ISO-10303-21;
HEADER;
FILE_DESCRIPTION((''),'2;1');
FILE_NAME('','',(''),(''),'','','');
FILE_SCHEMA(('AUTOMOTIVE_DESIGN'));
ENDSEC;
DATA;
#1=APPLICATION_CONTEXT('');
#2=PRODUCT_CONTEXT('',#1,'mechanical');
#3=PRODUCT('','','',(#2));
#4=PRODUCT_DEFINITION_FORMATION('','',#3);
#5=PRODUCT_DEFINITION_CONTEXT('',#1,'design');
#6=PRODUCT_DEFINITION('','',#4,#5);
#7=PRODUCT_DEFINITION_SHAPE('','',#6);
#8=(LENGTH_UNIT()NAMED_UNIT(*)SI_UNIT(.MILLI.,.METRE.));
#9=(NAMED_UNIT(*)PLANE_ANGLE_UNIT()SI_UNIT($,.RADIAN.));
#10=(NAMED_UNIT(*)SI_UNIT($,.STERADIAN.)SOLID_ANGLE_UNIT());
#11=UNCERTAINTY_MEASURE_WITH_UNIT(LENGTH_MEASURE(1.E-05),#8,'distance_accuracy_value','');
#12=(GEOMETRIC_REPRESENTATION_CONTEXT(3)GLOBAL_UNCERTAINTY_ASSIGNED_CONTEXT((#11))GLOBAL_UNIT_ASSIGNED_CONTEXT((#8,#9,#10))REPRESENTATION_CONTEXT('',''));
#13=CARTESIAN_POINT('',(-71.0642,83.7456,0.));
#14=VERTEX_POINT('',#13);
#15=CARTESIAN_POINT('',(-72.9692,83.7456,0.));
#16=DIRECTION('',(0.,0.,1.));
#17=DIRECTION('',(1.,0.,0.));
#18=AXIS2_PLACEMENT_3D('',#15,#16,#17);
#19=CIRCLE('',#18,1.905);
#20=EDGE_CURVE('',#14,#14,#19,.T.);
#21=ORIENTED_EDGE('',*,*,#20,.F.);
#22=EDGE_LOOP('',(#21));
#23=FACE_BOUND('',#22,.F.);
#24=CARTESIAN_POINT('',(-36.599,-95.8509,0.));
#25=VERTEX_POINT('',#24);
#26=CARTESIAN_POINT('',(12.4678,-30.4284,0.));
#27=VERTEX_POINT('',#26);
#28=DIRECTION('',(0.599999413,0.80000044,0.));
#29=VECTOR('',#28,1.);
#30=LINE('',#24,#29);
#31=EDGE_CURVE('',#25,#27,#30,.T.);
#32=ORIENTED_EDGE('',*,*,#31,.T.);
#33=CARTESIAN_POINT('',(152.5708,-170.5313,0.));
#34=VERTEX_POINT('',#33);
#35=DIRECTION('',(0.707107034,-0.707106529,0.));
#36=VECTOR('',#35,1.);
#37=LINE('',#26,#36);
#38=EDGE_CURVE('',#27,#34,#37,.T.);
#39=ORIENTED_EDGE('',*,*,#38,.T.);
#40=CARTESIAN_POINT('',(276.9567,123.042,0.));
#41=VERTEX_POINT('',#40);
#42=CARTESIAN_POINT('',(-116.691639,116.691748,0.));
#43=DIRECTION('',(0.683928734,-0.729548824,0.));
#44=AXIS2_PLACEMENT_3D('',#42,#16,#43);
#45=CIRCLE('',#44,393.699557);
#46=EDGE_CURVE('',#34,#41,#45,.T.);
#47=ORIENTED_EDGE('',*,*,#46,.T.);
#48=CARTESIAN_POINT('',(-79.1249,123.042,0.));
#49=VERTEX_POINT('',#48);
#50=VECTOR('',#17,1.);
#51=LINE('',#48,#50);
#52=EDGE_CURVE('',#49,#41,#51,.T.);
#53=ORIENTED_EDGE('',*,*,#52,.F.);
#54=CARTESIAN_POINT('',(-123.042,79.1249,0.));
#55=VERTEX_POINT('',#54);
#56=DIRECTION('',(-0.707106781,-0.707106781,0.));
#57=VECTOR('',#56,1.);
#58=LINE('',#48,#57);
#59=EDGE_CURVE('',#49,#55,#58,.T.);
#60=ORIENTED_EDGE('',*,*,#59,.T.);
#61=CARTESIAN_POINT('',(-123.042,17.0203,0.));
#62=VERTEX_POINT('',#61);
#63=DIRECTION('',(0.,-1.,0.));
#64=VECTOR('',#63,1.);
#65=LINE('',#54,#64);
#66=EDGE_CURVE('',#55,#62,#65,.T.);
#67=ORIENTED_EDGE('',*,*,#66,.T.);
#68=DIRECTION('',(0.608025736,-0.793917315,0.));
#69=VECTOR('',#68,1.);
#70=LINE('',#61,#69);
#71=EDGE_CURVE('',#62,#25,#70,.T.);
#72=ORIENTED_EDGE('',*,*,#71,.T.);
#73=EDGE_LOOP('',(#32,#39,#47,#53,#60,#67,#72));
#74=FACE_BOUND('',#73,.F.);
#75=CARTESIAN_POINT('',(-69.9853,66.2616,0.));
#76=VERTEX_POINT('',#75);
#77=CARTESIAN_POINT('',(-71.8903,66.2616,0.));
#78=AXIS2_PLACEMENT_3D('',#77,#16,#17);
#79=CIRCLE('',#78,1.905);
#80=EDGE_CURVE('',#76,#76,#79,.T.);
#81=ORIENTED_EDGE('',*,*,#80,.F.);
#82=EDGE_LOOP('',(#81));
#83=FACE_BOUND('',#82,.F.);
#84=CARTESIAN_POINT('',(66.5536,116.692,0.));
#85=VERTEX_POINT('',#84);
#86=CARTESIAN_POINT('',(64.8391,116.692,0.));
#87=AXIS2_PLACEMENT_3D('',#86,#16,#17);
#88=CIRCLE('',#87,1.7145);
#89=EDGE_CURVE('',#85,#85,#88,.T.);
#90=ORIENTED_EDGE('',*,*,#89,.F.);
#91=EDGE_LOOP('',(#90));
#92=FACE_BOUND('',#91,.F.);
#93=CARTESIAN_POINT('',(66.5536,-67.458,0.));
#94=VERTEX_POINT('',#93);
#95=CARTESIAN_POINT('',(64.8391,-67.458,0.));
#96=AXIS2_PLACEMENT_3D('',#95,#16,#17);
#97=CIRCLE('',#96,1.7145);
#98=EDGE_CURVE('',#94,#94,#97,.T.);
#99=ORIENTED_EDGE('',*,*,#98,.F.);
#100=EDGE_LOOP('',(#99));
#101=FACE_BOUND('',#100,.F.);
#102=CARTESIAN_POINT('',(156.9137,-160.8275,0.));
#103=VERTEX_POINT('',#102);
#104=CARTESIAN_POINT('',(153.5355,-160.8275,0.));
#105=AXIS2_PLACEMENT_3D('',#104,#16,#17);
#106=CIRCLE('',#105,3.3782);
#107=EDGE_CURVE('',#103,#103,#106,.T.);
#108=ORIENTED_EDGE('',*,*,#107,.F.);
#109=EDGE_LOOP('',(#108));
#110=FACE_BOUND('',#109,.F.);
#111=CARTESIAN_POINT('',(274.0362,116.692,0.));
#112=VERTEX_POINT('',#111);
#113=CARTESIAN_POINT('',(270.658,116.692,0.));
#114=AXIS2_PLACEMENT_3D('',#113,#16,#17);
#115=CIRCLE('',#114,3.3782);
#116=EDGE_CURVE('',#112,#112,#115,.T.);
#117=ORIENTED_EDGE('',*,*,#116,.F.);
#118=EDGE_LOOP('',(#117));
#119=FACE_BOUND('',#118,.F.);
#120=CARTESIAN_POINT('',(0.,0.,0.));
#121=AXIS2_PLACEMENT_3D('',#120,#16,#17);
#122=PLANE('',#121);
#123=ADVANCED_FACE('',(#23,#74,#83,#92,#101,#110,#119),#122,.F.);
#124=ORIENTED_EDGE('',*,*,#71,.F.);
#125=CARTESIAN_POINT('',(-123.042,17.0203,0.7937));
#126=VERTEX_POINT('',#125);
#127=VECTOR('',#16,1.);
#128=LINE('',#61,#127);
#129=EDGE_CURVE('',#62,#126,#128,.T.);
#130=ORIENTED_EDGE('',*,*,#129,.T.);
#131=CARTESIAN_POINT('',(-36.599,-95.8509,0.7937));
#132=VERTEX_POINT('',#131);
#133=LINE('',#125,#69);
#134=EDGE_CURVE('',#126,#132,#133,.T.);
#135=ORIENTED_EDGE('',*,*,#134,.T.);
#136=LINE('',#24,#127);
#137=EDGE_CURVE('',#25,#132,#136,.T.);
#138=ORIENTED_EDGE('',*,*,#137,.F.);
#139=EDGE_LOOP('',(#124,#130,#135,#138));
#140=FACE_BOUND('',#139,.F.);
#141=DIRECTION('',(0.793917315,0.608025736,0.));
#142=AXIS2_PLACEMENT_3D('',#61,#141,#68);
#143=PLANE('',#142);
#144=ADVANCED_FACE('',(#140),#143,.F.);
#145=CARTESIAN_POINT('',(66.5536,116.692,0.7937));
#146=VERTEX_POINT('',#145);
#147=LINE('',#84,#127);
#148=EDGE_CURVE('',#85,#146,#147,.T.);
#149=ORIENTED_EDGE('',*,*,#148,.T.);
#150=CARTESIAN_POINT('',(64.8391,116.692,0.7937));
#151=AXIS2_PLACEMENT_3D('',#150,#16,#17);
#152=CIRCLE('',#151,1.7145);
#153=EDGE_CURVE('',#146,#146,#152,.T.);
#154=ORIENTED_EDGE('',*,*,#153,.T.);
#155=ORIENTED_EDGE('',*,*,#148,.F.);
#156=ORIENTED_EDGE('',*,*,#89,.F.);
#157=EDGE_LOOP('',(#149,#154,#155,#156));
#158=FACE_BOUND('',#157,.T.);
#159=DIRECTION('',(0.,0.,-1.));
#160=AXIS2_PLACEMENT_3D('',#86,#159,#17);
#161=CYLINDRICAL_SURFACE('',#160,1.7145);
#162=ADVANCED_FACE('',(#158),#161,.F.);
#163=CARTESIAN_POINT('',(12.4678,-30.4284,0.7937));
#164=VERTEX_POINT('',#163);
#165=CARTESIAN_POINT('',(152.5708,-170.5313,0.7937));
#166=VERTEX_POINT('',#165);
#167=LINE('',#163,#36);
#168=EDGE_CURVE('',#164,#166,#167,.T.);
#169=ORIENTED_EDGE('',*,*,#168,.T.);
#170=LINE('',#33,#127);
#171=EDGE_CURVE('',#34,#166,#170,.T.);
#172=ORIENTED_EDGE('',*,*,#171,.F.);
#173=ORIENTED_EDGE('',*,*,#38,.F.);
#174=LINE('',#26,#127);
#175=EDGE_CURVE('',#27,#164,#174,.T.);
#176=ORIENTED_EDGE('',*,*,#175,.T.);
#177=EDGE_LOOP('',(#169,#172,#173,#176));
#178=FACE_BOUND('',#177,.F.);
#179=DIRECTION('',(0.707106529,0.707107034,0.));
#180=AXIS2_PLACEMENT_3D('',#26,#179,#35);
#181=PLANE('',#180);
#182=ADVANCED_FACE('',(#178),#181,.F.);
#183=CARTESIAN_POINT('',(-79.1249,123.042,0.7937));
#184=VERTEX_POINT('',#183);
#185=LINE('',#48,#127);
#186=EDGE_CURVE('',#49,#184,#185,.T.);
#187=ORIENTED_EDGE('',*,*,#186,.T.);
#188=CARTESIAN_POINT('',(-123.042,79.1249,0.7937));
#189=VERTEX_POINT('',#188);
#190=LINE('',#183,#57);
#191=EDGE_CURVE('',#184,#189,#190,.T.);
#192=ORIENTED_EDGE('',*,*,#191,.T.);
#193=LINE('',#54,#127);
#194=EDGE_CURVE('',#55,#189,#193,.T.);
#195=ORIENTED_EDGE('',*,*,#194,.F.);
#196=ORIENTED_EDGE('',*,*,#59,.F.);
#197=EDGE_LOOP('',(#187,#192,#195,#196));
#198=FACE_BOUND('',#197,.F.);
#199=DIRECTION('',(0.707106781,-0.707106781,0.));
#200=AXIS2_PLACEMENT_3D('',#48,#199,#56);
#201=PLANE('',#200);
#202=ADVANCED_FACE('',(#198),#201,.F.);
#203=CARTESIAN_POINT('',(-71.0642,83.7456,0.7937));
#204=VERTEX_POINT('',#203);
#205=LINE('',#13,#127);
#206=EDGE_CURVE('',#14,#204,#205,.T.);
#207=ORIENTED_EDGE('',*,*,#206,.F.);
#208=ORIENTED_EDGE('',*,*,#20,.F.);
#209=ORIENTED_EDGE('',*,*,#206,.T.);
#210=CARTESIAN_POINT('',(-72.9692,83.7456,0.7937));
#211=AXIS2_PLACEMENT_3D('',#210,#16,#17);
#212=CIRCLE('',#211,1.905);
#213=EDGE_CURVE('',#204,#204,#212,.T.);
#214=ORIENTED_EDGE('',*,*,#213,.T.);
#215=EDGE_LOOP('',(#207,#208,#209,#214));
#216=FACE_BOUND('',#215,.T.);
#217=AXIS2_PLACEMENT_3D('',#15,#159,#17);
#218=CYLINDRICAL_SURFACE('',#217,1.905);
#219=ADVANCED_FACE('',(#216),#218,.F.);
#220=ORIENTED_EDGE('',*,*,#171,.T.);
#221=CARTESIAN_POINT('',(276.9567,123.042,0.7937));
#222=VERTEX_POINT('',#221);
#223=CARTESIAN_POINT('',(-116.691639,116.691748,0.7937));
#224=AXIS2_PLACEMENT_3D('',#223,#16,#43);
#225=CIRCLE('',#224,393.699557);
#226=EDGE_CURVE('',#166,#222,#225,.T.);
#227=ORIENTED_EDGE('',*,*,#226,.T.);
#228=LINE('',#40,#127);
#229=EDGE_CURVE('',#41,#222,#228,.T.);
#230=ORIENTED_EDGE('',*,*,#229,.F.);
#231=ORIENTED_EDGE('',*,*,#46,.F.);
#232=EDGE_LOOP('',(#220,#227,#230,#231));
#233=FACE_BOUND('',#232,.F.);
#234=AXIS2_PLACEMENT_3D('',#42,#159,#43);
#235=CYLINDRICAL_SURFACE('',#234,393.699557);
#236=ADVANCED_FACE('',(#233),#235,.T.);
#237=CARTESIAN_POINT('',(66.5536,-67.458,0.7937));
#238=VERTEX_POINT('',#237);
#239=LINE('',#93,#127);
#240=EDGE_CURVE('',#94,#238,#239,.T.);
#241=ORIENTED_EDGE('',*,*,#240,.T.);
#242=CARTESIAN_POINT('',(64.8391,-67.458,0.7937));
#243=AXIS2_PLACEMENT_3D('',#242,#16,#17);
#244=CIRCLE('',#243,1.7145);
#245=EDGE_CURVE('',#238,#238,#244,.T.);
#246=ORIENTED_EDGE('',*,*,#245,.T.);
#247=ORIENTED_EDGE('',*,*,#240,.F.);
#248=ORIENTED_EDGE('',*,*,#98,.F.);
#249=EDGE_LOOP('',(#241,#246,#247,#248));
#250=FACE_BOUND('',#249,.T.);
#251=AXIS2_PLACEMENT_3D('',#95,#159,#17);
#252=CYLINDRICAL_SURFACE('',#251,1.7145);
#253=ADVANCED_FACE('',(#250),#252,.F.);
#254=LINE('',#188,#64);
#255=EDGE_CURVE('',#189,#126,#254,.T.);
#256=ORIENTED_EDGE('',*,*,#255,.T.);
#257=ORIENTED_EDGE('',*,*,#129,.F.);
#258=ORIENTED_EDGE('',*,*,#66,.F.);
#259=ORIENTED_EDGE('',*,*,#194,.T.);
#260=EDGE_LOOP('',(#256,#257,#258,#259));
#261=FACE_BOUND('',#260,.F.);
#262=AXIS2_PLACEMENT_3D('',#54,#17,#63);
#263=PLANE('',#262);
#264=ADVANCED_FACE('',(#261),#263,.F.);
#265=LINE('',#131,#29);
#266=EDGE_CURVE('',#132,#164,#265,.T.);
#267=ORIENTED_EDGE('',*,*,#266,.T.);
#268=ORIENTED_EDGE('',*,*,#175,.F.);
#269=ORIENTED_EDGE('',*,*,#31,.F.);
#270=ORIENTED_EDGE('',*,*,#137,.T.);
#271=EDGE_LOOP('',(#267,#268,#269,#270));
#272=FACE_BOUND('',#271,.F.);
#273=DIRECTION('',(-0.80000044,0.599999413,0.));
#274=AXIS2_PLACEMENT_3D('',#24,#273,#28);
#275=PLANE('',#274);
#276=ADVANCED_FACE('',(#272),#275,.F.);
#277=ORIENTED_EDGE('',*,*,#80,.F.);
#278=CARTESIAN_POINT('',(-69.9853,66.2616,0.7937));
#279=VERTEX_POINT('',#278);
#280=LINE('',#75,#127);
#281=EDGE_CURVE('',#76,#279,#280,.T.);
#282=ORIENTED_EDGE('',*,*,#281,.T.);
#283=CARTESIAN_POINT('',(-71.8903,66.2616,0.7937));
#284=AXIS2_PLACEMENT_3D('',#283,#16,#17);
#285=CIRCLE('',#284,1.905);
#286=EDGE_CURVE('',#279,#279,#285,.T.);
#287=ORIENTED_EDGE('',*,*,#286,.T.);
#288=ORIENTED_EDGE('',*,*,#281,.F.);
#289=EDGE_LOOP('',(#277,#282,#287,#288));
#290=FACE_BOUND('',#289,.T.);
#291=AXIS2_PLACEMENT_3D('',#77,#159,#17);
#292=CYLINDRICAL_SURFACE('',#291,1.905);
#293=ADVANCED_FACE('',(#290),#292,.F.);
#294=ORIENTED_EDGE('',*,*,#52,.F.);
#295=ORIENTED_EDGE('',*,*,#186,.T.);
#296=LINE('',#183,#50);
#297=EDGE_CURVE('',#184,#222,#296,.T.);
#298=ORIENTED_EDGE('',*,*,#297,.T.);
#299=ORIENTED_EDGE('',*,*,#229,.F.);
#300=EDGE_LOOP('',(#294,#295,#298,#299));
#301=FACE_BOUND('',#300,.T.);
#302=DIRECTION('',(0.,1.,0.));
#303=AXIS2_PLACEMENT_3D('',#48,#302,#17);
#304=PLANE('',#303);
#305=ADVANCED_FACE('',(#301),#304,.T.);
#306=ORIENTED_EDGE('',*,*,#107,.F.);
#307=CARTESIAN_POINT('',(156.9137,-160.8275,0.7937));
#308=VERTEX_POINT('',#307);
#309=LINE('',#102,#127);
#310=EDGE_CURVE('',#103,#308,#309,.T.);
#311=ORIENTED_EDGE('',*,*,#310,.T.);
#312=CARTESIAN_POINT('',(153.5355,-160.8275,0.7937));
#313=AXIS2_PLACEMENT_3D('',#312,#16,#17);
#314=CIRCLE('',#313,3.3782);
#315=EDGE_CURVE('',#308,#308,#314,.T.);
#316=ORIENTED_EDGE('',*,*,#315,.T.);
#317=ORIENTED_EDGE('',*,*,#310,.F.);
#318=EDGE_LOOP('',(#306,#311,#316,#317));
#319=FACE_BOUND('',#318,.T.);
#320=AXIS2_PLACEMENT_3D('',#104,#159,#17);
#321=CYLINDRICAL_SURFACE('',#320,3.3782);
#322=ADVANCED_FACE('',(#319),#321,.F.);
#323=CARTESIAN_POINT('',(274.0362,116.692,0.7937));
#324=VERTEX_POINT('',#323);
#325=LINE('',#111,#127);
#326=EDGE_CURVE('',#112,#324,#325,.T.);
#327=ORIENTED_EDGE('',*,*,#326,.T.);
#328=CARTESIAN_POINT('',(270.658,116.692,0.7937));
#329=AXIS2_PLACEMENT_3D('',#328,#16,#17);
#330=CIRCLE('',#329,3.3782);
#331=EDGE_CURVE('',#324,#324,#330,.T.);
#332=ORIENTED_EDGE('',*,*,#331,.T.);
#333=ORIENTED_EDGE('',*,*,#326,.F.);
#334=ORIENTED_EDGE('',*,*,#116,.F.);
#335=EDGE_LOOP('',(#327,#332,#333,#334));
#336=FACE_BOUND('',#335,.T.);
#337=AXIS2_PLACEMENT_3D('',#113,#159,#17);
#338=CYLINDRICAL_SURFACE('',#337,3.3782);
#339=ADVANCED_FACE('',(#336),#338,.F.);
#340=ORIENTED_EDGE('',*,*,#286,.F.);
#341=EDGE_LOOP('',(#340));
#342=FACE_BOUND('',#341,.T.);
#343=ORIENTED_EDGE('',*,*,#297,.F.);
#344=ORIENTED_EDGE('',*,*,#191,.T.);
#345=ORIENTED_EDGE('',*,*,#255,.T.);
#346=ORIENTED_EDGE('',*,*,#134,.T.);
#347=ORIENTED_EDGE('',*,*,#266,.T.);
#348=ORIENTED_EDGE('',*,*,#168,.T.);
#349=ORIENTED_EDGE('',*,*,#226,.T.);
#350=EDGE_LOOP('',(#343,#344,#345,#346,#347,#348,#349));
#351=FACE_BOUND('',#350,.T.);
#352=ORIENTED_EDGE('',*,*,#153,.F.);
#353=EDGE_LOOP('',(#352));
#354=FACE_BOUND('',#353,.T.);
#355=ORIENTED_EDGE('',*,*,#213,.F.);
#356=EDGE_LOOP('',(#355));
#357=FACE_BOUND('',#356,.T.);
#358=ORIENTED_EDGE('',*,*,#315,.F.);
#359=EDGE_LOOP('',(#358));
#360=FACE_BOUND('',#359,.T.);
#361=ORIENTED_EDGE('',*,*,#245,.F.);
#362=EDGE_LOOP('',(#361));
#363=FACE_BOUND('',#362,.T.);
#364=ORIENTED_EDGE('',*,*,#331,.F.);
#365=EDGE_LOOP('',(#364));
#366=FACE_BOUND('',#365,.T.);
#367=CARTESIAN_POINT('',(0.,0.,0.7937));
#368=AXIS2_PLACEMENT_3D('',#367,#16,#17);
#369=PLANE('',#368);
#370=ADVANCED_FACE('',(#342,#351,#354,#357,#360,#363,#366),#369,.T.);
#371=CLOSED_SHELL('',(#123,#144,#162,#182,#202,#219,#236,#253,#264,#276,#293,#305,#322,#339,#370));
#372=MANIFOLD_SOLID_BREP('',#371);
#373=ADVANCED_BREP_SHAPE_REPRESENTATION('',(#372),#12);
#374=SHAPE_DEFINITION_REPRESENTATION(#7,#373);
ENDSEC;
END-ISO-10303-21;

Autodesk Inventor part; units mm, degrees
ref_plane "YZ Plane" through (0, 0, 0) normal (1, 0, 0) x (0, 1, 0)
ref_plane "XZ Plane" through (0, 0, 0) normal (0, 1, 0) x (-1, 0, 0)
ref_plane "XY Plane" through (0, 0, 0) normal (0, 0, 1) x (1, 0, 0)
sketch "Sketch1" plane through (0, 0, 0) normal (0, 0, 1) x (1, 0, 0)
  circle A0 centre (-72.9692, 83.7456) radius 1.905 projected
  circle A1 centre (-6.9415, 6.9415) radius 3.3782 construction
  circle A2 centre (16.8562, -16.8562) radius 3.3782 construction
  circle A3 centre (38.5187, 116.692) radius 3.3782 construction
  circle A4 centre (-71.8903, 66.2616) radius 1.905 projected
  line L0 (12.4678, -30.4284) -> (152.5708, -170.5313) construction
  arc A5 (152.5708, -170.5313) -> (170.5313, -152.5708) centre (-116.692, 116.692) ccw construction
  line L1 (170.5313, -152.5708) -> (-82.3118, 100.2723) construction
  arc A6 (-82.3118, 100.2723) -> (-79.1249, 110.342) centre (-116.692, 116.692) ccw construction
  line L2 (-79.1249, 110.342) -> (276.9567, 110.342) construction
  arc A7 (276.9567, 110.342) -> (277.008, 116.692) centre (-116.692, 116.692) ccw construction
  line L3 (277.008, 116.692) -> (277.008, 123.042) construction
  line L4 (277.008, 123.042) -> (-79.1249, 123.042) construction
  arc A8 (-79.1249, 123.042) -> (-123.042, 79.1249) centre (-116.692, 116.692) ccw construction
  line L5 (-123.042, 79.1249) -> (-123.042, 17.0203) construction
  arc A9 (-110.342, 2.2518) -> (-123.042, 17.0203) centre (-227.182, -85.3782) ccw construction
  line L6 (-110.342, 2.2518) -> (-44.6195, -85.3782) construction
  line L7 (-44.6195, -85.3782) -> (-110.342, -173.0082) construction
  arc A10 (-123.042, -187.7768) -> (-110.342, -173.0082) centre (-227.182, -85.3782) ccw construction
  line L8 (-123.042, -187.7768) -> (-123.042, -277.008) construction
  line L9 (-123.042, -277.008) -> (-116.692, -277.008) construction
  arc A11 (-116.692, -277.008) -> (-110.342, -276.9567) centre (-116.692, 116.692) ccw construction
  line L10 (-110.342, -276.9567) -> (-110.342, -194.1749) construction
  line L11 (-110.342, -194.1749) -> (12.4678, -30.4284) construction
  circle A12 centre (-116.692, -270.658) radius 3.3782 construction
  circle A13 centre (-116.692, -219.858) radius 3.3782 construction
  line L12 (3.3964, -21.3569) -> (-36.682, -74.7949) construction
  line L13 (-36.682, -74.7949) -> (-110.342, 23.4184) construction
  line L14 (-110.342, 23.4184) -> (-110.342, 79.1249) construction
  arc A14 (-110.342, 79.1249) -> (-100.2723, 82.3118) centre (-116.692, 116.692) ccw construction
  line L15 (-100.2723, 82.3118) -> (3.3964, -21.3569) construction
  circle A15 centre (-116.692, 116.692) radius 9.5 construction
  circle A16 centre (153.5355, -160.8275) radius 3.3782 projected
  circle A17 centre (160.8275, -153.5355) radius 3.3782 construction
  circle A18 centre (117.6145, -124.9064) radius 3.3782 construction
  circle A19 centre (124.9064, -117.6145) radius 3.3782 construction
  circle A20 centre (270.658, 116.692) radius 3.3782 projected
  circle A21 centre (219.858, 116.692) radius 3.3782 construction
  circle A22 centre (23.008, 116.692) radius 3.3782 construction
  circle A23 centre (162.708, 116.692) radius 3.3782 construction
  circle A24 centre (-22.5015, 13.5212) radius 3.3782 construction
  circle A25 centre (-13.5212, 22.5015) radius 3.3782 construction
  circle A26 centre (76.3324, -85.3127) radius 3.3782 construction
  circle A27 centre (85.3127, -76.3324) radius 3.3782 construction
  line L16 (-79.1249, 123.042) -> (276.9567, 123.042)
  line L17 (-79.1249, 123.042) -> (-123.042, 79.1249)
  line L18 (-123.042, 79.1249) -> (-123.042, 17.0203)
  line L19 (-123.042, 17.0203) -> (-36.599, -95.8509)
  line L20 (-36.599, -95.8509) -> (12.4678, -30.4284)
  line L21 (12.4678, -30.4284) -> (152.5708, -170.5313)
  arc A28 (152.5708, -170.5313) -> (276.9567, 123.042) centre (-116.692, 116.692) ccw
  circle A29 centre (64.8391, -67.458) radius 1.7145 projected
  circle A30 centre (64.8391, 116.692) radius 1.7145 projected
  line L22 (72.3797, -92.858) -> (57.2985, -92.858) construction
  line L23 (72.3797, -92.858) -> (72.3797, 123.042) construction
  line L24 (57.2985, 123.042) -> (72.3797, 123.042) construction
  line L25 (57.2985, -92.858) -> (57.2985, 123.042) construction
  circle A31 centre (64.8391, 116.692) radius 1.7145 projected
  circle A32 centre (64.8391, -67.458) radius 1.7145 projected
  circle A33 centre (72.1737, 116.692) radius 3.3782 projected
  point P0 (0, 0)
extrude "Extrusion1" add sketch "Sketch1" along normal blind 0.7937 contours L16 A28 L21 L20 L19 L18 L17 | A33
properties part number "Shooter Top Shield" material "Polycarbonate, Clear"
